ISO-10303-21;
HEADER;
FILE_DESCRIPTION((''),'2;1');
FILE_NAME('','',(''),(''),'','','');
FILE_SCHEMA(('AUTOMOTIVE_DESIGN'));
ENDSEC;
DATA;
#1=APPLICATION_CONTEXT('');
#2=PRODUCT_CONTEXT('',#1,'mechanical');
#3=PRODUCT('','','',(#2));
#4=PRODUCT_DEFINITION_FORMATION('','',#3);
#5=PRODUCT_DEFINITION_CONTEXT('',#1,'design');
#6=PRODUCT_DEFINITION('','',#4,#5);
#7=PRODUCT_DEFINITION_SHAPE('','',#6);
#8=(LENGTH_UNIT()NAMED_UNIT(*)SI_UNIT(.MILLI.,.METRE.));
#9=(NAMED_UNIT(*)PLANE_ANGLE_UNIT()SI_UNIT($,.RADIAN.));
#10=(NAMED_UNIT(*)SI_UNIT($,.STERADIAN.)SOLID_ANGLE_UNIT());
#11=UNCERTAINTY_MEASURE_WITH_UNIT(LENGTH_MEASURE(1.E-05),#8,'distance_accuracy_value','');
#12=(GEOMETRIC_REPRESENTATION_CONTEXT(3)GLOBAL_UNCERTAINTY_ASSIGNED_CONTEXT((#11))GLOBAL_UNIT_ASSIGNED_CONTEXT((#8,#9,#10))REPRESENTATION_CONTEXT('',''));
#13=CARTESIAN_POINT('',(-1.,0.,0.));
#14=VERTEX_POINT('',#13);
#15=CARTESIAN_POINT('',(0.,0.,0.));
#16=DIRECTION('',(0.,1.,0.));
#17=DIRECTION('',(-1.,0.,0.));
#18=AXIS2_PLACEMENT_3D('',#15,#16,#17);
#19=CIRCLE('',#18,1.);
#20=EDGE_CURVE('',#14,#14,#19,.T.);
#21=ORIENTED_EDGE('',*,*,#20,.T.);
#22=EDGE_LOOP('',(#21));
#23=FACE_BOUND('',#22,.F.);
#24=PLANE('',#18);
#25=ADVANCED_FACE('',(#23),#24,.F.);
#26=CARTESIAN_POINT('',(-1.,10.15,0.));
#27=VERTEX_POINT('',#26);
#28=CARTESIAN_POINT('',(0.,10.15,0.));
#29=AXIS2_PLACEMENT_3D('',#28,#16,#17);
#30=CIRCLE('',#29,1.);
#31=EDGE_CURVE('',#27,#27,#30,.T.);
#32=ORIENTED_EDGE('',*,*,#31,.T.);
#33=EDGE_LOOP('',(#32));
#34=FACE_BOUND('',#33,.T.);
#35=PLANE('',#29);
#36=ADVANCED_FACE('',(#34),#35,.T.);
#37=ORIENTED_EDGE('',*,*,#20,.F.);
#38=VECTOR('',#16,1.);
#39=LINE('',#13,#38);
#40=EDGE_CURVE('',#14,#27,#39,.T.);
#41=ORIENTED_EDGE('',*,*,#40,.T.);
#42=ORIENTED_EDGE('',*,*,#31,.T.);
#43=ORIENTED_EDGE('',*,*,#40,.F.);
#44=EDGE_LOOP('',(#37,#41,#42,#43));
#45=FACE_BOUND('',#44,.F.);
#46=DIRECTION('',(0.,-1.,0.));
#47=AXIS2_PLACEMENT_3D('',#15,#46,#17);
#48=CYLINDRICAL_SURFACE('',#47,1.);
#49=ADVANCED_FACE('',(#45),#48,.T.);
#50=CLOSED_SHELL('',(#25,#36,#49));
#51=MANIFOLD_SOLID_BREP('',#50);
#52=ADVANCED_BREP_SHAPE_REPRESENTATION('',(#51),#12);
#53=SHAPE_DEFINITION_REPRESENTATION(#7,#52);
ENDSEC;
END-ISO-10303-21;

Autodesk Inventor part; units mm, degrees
ref_plane "YZ Plane" through (0, 0, 0) normal (1, 0, 0) x (0, 1, 0)
ref_plane "XZ Plane" through (0, 0, 0) normal (0, 1, 0) x (-1, 0, 0)
ref_plane "XY Plane" through (0, 0, 0) normal (0, 0, 1) x (1, 0, 0)
sketch "Эскиз1" plane through (0, 0, 0) normal (0, 1, 0) x (-1, 0, 0)
  circle A0 centre (0, 0) radius 1
  dimension "d0" = 2
extrude "Выдавливание1" add sketch "Эскиз1" along normal blind 10.15
properties part number "Ось 2мм рулевой сервы"
